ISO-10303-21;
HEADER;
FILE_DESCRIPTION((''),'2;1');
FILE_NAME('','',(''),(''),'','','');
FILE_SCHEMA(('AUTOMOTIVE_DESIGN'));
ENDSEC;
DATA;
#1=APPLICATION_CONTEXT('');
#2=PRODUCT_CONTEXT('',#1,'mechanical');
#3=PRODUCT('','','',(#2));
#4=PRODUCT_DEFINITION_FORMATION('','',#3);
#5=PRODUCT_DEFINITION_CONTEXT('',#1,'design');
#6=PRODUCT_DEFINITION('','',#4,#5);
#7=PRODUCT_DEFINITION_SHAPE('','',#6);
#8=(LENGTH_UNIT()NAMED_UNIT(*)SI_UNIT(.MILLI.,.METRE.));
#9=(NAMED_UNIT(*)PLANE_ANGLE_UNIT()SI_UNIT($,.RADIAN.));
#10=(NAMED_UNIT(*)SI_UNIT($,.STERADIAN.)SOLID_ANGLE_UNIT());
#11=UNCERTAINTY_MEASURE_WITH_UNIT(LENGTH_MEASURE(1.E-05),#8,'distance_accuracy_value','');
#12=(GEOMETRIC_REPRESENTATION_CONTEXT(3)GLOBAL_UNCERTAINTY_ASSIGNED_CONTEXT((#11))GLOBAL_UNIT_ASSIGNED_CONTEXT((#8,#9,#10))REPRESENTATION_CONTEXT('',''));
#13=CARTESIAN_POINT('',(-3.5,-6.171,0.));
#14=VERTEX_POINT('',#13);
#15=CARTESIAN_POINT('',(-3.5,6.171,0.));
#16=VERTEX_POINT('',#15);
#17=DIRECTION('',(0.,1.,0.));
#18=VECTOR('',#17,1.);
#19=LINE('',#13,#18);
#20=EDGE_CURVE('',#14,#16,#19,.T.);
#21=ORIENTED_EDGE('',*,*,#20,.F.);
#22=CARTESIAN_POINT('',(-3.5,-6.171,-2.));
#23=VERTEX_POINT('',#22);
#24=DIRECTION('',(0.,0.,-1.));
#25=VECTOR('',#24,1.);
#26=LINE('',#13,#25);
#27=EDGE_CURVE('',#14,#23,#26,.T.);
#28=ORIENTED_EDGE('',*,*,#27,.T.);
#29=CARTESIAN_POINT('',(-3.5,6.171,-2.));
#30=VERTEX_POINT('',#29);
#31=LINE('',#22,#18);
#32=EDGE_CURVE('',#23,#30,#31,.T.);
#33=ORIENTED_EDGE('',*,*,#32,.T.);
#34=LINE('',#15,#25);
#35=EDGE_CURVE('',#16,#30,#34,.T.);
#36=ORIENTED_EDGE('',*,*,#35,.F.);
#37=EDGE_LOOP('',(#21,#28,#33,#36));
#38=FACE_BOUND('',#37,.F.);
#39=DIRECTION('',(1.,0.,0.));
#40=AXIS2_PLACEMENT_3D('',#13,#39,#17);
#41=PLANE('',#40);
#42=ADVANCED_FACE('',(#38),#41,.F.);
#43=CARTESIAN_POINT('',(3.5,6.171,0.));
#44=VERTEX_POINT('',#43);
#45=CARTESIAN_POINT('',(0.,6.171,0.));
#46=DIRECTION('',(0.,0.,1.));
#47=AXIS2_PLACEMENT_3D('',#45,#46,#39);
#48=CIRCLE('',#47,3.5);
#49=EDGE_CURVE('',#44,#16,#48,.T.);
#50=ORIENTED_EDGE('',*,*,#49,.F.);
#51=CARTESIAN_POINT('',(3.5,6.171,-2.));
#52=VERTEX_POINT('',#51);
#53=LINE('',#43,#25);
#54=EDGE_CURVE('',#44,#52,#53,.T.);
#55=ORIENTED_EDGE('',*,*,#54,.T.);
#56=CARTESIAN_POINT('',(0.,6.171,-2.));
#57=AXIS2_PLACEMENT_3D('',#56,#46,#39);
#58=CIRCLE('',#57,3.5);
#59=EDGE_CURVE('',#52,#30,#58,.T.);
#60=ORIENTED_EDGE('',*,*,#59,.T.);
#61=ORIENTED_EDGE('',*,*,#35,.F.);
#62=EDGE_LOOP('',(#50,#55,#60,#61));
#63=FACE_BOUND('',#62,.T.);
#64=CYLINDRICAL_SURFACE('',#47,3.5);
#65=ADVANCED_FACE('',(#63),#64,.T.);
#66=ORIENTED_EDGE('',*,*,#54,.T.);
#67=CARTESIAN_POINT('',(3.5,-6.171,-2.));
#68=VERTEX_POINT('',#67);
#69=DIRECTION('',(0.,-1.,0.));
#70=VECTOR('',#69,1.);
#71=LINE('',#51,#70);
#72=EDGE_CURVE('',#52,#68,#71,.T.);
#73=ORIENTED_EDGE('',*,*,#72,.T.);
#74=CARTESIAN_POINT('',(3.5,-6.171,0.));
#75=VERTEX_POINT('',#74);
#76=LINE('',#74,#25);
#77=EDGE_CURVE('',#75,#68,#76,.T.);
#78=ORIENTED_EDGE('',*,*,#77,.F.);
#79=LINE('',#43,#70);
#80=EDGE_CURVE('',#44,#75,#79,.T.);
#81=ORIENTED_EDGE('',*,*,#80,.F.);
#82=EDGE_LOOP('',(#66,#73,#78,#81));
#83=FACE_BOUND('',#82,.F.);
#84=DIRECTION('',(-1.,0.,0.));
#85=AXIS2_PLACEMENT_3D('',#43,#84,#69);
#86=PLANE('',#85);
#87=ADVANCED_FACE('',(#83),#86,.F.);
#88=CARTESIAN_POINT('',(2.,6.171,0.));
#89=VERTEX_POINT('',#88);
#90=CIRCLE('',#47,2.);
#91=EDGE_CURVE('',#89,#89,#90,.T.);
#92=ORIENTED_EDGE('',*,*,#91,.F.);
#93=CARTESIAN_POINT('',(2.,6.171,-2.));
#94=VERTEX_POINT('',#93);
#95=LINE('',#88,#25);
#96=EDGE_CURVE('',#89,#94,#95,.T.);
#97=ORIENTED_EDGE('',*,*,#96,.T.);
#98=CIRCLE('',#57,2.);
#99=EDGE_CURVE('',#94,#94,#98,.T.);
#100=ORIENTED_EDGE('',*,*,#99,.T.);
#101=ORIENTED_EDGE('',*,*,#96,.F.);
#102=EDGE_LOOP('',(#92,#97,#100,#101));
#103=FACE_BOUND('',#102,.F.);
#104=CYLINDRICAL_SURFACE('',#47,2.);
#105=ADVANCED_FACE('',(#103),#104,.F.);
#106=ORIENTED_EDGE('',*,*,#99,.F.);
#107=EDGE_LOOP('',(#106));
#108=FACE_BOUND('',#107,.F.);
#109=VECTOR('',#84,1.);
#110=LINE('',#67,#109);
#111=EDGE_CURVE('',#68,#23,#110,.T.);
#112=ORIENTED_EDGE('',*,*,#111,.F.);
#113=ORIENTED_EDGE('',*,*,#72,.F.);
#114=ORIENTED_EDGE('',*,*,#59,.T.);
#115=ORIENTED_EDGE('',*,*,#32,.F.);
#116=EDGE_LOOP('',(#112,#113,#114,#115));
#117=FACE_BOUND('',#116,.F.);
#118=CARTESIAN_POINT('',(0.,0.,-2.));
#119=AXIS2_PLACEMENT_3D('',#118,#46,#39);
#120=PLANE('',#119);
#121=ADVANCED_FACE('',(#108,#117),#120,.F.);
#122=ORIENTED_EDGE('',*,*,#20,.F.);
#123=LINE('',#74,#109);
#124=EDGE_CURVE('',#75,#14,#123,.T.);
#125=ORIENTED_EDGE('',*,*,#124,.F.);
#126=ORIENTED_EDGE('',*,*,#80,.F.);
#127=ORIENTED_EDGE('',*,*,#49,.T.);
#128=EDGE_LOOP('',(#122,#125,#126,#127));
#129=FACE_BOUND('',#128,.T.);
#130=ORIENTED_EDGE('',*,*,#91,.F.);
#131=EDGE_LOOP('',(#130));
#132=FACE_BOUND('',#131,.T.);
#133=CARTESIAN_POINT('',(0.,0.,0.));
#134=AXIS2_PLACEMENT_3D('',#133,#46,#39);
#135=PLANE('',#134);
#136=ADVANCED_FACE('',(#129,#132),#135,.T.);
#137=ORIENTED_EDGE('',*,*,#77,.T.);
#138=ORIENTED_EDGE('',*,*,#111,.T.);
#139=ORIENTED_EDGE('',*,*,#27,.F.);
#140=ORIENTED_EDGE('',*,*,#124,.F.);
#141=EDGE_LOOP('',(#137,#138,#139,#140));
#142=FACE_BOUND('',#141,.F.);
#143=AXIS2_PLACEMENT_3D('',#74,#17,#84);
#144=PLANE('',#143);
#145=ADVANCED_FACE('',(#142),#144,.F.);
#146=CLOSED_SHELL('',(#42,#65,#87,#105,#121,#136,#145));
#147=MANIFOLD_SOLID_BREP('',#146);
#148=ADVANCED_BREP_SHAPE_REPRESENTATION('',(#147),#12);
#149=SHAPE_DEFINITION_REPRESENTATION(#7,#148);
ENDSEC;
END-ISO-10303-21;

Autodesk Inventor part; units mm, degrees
ref_plane "YZ Plane" through (0, 0, 0) normal (1, 0, 0) x (0, 1, 0)
ref_plane "XZ Plane" through (0, 0, 0) normal (0, 1, 0) x (-1, 0, 0)
ref_plane "XY Plane" through (0, 0, 0) normal (0, 0, 1) x (1, 0, 0)
sketch "Skizze1" plane through (0, 0, 0) normal (0, 0, 1) x (1, 0, 0)
  line L0 (3.5, 6.171) -> (3.5, -6.171)
  line L1 (3.5, -6.171) -> (-3.5, -6.171)
  line L2 (-3.5, -6.171) -> (-3.5, 6.171)
  arc A0 (3.5, 6.171) -> (-3.5, 6.171) centre (0, 6.171) ccw
  circle A1 centre (0, 6.171) radius 2
  point P0 (0, 0)
  point P1 (-3.5, 0)
extrude "Extrusion1" add sketch "Skizze1" against normal blind 2
properties part number "planetenstab"
